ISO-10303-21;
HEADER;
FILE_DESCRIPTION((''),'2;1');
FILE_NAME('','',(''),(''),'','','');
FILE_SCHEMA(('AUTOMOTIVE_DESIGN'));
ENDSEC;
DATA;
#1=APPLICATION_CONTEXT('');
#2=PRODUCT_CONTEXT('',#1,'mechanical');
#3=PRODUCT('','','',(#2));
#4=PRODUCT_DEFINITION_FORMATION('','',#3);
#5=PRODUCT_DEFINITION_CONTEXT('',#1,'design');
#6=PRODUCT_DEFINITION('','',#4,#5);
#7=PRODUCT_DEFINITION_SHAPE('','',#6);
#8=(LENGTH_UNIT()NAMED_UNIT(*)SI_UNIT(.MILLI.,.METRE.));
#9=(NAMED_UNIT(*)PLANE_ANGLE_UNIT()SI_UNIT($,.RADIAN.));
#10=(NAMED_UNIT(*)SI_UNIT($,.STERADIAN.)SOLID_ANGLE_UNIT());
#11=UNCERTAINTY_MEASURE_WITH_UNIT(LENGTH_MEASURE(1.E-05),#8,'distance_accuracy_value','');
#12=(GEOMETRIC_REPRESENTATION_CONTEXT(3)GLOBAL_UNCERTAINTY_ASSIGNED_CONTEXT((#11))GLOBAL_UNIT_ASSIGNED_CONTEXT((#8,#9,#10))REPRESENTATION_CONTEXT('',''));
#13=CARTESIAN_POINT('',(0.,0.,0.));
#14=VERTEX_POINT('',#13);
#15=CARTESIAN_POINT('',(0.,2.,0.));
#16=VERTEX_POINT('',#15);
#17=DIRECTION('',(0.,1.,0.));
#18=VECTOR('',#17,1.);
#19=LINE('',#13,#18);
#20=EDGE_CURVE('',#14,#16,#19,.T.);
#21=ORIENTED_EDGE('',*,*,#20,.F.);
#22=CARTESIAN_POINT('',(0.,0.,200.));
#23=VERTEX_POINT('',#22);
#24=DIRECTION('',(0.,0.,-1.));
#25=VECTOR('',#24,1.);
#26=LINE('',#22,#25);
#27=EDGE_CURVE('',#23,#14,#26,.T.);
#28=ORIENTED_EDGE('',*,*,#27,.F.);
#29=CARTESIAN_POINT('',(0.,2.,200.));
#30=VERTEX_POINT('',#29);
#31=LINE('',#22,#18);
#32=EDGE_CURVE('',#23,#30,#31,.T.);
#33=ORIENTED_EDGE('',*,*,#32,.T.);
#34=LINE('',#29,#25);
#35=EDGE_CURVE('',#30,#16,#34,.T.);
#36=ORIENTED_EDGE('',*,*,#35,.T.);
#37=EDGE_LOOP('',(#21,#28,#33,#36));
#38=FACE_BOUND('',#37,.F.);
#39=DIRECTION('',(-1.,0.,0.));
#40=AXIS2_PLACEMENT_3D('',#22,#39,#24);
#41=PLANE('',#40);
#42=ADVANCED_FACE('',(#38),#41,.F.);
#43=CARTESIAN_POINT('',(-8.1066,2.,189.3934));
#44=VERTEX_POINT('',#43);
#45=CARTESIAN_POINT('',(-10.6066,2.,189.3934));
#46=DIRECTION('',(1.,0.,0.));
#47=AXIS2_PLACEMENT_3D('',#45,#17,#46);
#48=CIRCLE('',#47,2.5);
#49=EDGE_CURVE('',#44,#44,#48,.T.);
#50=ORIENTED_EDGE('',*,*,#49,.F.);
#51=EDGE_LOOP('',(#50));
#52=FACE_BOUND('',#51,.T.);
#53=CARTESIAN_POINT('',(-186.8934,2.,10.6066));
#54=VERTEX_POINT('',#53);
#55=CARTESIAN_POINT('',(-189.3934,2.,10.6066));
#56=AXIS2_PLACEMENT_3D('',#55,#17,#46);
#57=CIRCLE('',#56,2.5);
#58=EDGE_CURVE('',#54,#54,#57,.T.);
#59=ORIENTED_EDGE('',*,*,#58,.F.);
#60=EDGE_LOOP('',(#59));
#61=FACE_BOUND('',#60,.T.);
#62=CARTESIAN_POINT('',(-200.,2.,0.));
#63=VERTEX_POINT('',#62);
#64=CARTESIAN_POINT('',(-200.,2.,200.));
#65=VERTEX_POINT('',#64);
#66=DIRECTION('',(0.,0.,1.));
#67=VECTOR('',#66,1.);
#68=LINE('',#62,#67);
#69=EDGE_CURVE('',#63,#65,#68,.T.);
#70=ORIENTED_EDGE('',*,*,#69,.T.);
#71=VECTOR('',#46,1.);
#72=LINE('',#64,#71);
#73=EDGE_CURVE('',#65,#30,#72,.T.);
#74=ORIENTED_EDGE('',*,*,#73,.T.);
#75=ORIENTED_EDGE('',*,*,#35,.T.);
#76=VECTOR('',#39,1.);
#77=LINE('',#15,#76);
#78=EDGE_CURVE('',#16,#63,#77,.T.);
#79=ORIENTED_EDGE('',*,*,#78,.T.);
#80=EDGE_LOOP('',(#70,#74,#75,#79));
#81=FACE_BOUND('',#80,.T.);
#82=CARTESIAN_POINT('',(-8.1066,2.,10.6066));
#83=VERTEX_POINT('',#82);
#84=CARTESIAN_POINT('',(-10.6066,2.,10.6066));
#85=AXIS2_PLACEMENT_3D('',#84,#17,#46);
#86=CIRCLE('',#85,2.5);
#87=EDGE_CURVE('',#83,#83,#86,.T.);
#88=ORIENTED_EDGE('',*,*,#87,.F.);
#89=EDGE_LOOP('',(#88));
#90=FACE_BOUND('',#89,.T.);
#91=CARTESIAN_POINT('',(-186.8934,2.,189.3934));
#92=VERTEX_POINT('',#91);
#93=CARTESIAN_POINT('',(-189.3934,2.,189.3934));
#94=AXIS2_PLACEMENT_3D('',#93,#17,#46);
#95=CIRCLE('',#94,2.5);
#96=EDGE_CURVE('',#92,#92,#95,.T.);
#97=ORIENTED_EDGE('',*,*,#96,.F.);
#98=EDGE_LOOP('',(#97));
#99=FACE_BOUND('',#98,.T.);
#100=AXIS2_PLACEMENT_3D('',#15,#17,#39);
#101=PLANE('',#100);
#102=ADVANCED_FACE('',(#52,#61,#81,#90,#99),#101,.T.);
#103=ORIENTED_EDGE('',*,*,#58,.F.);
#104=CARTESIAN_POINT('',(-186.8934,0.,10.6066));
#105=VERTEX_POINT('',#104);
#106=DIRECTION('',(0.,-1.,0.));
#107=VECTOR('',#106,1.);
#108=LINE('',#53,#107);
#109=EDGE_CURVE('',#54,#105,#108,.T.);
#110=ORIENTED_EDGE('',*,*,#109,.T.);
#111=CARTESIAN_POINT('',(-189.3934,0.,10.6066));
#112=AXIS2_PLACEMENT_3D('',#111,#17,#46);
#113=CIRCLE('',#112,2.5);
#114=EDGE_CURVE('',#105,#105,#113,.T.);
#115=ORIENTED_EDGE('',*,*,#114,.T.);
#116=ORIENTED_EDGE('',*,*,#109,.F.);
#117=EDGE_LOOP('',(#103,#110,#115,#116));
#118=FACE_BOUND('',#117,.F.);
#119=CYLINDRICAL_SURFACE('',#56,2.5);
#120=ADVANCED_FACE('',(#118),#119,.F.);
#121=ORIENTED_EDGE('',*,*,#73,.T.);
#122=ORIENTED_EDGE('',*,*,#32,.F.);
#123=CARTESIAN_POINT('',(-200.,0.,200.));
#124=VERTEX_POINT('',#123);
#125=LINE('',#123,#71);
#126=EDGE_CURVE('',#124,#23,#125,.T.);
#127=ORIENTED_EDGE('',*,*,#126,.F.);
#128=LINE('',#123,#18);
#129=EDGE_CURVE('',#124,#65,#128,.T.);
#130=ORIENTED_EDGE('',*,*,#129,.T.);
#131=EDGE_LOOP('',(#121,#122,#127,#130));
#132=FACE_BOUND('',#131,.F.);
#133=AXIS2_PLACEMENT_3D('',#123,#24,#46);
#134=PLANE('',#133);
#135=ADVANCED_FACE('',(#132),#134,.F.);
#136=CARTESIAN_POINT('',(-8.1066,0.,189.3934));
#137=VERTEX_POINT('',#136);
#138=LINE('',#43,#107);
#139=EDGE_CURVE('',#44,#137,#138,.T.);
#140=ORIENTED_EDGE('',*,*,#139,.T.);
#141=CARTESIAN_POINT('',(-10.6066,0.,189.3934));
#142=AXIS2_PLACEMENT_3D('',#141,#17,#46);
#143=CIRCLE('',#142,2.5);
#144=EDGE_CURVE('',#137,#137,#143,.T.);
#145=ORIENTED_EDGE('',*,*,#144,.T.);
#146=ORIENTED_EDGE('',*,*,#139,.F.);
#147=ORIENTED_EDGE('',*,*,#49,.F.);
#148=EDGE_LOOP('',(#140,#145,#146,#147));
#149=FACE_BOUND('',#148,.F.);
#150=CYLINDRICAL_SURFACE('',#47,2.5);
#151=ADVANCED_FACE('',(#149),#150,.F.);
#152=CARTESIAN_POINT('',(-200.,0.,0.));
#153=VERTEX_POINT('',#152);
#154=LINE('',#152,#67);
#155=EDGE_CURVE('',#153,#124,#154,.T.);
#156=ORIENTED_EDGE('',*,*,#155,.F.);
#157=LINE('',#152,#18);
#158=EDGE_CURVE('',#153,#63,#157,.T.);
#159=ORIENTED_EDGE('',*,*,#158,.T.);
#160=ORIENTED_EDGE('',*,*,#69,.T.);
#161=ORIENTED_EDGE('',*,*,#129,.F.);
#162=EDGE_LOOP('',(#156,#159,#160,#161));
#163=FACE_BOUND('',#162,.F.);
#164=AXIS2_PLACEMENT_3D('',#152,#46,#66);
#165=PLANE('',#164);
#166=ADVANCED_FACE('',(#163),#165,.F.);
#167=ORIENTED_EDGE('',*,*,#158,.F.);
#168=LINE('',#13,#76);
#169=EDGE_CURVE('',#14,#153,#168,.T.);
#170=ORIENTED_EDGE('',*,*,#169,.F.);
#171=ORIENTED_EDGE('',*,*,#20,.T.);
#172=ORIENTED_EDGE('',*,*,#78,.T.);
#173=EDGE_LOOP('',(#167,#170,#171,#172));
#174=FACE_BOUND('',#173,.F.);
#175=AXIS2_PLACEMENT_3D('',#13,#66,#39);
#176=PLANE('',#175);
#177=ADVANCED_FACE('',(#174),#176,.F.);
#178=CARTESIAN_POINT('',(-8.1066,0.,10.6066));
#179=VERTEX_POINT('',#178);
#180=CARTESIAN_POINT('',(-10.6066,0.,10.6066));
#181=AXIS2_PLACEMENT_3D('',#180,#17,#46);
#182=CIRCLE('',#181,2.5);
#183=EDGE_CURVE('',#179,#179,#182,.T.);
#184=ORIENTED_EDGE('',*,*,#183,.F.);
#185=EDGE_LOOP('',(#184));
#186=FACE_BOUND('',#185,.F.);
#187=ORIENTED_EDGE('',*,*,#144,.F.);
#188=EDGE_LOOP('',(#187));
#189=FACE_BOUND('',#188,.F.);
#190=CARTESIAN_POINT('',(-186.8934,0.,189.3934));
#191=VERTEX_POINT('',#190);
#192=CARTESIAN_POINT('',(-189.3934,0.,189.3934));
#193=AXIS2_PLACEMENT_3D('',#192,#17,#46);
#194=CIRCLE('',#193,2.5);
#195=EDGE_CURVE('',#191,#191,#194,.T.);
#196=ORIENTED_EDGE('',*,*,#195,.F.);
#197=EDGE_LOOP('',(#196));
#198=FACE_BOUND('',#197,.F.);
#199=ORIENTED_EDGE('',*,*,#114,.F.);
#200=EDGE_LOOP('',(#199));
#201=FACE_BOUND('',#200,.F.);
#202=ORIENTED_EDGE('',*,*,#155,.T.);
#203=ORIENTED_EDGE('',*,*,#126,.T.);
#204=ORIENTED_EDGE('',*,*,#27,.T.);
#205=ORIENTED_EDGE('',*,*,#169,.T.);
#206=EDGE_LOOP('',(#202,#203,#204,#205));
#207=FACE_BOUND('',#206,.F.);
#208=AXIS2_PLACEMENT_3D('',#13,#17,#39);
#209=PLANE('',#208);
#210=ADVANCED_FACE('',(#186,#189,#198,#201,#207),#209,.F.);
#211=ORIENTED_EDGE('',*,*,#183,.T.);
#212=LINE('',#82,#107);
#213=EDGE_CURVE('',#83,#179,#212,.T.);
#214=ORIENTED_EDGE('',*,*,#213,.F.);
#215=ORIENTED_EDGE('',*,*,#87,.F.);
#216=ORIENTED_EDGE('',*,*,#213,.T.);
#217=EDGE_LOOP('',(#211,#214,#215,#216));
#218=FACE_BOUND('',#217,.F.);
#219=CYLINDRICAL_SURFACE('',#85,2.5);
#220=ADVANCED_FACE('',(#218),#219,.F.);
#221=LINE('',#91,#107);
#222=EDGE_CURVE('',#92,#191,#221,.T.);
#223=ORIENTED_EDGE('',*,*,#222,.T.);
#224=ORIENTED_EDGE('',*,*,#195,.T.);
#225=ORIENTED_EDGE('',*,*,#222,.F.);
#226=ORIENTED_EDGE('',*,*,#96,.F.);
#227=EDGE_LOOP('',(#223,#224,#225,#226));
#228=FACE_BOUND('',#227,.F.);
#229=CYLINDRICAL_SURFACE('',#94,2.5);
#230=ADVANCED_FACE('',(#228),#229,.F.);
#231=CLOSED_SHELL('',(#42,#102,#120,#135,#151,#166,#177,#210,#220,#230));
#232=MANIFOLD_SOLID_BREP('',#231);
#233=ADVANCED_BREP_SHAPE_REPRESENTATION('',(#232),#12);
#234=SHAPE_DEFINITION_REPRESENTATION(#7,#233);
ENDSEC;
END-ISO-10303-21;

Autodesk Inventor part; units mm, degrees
ref_plane "YZ Plane" through (0, 0, 0) normal (1, 0, 0) x (0, 1, 0)
ref_plane "XZ Plane" through (0, 0, 0) normal (0, 1, 0) x (-1, 0, 0)
ref_plane "XY Plane" through (0, 0, 0) normal (0, 0, 1) x (1, 0, 0)
sketch "Sketch1" plane through (0, 0, 0) normal (0, 1, 0) x (-1, 0, 0)
  line L0 (0, 0) -> (200, 0)
  line L1 (200, 0) -> (200, 200)
  line L2 (200, 200) -> (0, 200)
  line L3 (0, 200) -> (0, 0)
  dimension "d0" = 200
  dimension "d1" = 200
extrude "Extrusion1" add sketch "Sketch1" along normal blind 2
sketch "Sketch2" plane through (0, 2, 0) normal (0, 1, 0) x (1, 0, 0)
  line L0 (-200, -200) -> (0, -200) projected
  line L1 (0, 0) -> (-200, 0) projected
  line L2 (0, -200) -> (0, 0) projected
  line L3 (-200, 0) -> (-200, -200) projected
  circle A0 centre (-10.6066, -189.3934) radius 2.5
  circle A1 centre (-189.3934, -189.3934) radius 2.5
  circle A2 centre (-10.6066, -10.6066) radius 2.5
  circle A3 centre (-189.3934, -10.6066) radius 2.5
  dimension "d9" = 5
  dimension "d10" = 5
extrude "Extrusion2" cut sketch "Sketch2" against normal blind 2 contours A0 | A1 | A2 | A3
properties part number "MAN_BASIS_PLATE" material "ABS Plastic"
